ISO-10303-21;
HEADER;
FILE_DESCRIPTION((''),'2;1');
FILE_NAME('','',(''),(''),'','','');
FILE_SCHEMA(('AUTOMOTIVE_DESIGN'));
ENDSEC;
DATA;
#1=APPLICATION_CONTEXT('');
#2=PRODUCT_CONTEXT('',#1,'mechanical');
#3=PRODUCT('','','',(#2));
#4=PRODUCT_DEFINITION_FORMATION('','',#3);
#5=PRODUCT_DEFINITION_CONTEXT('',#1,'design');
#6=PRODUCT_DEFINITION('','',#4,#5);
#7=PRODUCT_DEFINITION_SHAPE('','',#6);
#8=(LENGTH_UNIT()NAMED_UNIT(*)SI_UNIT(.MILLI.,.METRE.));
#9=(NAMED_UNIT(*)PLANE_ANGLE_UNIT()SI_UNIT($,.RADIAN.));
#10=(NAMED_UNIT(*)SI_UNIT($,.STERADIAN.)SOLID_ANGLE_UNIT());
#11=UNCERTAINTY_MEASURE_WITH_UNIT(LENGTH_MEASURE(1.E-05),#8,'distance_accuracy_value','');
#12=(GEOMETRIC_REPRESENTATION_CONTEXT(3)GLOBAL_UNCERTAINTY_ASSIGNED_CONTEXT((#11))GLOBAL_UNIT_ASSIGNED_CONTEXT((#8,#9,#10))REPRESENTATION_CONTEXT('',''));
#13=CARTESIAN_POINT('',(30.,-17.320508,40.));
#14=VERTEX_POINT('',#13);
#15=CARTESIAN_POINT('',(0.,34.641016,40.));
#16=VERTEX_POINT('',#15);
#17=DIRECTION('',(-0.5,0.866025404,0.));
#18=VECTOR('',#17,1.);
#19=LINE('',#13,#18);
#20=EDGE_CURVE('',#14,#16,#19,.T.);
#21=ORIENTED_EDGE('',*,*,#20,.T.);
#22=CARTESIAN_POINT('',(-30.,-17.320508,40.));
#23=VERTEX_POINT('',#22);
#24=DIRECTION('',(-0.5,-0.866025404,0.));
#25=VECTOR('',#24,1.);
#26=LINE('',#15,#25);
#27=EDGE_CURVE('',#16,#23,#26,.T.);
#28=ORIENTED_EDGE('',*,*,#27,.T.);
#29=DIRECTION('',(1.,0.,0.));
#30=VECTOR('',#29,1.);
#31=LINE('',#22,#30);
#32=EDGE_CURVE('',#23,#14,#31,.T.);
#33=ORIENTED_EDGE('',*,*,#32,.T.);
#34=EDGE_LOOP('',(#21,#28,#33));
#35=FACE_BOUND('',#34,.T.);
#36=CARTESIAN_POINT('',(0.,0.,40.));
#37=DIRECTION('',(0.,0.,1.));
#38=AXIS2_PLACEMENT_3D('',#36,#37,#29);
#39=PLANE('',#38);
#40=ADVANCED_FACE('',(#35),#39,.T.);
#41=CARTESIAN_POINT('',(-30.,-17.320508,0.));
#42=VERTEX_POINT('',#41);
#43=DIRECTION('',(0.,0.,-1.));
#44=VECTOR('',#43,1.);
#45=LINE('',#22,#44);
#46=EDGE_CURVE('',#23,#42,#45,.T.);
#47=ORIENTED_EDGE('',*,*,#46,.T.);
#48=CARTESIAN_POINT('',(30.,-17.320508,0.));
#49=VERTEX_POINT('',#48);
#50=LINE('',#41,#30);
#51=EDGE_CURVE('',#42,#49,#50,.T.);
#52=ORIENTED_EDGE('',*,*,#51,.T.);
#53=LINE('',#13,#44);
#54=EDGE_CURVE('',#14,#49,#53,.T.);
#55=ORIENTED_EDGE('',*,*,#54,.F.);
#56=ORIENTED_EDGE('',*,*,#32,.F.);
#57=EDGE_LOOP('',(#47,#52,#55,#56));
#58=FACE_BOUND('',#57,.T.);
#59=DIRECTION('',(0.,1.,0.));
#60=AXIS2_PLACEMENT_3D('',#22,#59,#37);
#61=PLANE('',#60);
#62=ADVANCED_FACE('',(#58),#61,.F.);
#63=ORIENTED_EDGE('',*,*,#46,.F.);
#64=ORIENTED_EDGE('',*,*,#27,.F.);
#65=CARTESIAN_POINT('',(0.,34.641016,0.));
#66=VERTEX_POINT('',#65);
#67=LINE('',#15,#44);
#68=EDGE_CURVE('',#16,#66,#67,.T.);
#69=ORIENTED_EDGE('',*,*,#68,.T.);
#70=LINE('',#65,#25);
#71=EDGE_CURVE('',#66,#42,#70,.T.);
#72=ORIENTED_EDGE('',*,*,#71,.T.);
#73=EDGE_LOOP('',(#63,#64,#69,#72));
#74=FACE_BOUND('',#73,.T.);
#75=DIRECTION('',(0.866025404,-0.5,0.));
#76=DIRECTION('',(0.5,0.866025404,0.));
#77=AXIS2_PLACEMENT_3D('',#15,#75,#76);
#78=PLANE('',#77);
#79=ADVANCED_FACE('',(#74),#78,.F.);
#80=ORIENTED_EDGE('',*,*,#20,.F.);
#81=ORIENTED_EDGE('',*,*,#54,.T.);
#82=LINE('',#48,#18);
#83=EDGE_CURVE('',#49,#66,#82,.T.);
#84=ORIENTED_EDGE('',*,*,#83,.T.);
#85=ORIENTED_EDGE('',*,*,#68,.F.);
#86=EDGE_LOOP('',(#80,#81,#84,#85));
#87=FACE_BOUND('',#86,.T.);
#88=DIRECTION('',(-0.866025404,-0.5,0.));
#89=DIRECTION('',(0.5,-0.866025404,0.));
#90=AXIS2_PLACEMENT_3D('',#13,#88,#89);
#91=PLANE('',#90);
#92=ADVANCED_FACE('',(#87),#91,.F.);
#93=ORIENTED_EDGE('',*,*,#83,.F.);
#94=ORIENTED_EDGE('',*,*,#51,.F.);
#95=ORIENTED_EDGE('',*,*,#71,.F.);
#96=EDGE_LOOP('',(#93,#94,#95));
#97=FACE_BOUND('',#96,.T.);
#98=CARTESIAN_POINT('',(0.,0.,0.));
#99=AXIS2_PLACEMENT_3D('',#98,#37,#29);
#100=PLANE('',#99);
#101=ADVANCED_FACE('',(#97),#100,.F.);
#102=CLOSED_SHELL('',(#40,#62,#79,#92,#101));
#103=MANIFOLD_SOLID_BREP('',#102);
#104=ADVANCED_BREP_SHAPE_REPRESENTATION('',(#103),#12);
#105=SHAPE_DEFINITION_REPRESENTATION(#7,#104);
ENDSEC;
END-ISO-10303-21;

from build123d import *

# Parameters (mm, degrees)
BOSS_EXTRUDE1_DEPTH = 40


with BuildPart() as part:
    # Sketch1 → Boss-Extrude1 (new body)
    with BuildSketch(Plane.XY):
        Polygon((0, 34.641016151), (-30, -17.320508076), (30, -17.320508076), align=None)
    extrude(amount=BOSS_EXTRUDE1_DEPTH)


solid = part.part
